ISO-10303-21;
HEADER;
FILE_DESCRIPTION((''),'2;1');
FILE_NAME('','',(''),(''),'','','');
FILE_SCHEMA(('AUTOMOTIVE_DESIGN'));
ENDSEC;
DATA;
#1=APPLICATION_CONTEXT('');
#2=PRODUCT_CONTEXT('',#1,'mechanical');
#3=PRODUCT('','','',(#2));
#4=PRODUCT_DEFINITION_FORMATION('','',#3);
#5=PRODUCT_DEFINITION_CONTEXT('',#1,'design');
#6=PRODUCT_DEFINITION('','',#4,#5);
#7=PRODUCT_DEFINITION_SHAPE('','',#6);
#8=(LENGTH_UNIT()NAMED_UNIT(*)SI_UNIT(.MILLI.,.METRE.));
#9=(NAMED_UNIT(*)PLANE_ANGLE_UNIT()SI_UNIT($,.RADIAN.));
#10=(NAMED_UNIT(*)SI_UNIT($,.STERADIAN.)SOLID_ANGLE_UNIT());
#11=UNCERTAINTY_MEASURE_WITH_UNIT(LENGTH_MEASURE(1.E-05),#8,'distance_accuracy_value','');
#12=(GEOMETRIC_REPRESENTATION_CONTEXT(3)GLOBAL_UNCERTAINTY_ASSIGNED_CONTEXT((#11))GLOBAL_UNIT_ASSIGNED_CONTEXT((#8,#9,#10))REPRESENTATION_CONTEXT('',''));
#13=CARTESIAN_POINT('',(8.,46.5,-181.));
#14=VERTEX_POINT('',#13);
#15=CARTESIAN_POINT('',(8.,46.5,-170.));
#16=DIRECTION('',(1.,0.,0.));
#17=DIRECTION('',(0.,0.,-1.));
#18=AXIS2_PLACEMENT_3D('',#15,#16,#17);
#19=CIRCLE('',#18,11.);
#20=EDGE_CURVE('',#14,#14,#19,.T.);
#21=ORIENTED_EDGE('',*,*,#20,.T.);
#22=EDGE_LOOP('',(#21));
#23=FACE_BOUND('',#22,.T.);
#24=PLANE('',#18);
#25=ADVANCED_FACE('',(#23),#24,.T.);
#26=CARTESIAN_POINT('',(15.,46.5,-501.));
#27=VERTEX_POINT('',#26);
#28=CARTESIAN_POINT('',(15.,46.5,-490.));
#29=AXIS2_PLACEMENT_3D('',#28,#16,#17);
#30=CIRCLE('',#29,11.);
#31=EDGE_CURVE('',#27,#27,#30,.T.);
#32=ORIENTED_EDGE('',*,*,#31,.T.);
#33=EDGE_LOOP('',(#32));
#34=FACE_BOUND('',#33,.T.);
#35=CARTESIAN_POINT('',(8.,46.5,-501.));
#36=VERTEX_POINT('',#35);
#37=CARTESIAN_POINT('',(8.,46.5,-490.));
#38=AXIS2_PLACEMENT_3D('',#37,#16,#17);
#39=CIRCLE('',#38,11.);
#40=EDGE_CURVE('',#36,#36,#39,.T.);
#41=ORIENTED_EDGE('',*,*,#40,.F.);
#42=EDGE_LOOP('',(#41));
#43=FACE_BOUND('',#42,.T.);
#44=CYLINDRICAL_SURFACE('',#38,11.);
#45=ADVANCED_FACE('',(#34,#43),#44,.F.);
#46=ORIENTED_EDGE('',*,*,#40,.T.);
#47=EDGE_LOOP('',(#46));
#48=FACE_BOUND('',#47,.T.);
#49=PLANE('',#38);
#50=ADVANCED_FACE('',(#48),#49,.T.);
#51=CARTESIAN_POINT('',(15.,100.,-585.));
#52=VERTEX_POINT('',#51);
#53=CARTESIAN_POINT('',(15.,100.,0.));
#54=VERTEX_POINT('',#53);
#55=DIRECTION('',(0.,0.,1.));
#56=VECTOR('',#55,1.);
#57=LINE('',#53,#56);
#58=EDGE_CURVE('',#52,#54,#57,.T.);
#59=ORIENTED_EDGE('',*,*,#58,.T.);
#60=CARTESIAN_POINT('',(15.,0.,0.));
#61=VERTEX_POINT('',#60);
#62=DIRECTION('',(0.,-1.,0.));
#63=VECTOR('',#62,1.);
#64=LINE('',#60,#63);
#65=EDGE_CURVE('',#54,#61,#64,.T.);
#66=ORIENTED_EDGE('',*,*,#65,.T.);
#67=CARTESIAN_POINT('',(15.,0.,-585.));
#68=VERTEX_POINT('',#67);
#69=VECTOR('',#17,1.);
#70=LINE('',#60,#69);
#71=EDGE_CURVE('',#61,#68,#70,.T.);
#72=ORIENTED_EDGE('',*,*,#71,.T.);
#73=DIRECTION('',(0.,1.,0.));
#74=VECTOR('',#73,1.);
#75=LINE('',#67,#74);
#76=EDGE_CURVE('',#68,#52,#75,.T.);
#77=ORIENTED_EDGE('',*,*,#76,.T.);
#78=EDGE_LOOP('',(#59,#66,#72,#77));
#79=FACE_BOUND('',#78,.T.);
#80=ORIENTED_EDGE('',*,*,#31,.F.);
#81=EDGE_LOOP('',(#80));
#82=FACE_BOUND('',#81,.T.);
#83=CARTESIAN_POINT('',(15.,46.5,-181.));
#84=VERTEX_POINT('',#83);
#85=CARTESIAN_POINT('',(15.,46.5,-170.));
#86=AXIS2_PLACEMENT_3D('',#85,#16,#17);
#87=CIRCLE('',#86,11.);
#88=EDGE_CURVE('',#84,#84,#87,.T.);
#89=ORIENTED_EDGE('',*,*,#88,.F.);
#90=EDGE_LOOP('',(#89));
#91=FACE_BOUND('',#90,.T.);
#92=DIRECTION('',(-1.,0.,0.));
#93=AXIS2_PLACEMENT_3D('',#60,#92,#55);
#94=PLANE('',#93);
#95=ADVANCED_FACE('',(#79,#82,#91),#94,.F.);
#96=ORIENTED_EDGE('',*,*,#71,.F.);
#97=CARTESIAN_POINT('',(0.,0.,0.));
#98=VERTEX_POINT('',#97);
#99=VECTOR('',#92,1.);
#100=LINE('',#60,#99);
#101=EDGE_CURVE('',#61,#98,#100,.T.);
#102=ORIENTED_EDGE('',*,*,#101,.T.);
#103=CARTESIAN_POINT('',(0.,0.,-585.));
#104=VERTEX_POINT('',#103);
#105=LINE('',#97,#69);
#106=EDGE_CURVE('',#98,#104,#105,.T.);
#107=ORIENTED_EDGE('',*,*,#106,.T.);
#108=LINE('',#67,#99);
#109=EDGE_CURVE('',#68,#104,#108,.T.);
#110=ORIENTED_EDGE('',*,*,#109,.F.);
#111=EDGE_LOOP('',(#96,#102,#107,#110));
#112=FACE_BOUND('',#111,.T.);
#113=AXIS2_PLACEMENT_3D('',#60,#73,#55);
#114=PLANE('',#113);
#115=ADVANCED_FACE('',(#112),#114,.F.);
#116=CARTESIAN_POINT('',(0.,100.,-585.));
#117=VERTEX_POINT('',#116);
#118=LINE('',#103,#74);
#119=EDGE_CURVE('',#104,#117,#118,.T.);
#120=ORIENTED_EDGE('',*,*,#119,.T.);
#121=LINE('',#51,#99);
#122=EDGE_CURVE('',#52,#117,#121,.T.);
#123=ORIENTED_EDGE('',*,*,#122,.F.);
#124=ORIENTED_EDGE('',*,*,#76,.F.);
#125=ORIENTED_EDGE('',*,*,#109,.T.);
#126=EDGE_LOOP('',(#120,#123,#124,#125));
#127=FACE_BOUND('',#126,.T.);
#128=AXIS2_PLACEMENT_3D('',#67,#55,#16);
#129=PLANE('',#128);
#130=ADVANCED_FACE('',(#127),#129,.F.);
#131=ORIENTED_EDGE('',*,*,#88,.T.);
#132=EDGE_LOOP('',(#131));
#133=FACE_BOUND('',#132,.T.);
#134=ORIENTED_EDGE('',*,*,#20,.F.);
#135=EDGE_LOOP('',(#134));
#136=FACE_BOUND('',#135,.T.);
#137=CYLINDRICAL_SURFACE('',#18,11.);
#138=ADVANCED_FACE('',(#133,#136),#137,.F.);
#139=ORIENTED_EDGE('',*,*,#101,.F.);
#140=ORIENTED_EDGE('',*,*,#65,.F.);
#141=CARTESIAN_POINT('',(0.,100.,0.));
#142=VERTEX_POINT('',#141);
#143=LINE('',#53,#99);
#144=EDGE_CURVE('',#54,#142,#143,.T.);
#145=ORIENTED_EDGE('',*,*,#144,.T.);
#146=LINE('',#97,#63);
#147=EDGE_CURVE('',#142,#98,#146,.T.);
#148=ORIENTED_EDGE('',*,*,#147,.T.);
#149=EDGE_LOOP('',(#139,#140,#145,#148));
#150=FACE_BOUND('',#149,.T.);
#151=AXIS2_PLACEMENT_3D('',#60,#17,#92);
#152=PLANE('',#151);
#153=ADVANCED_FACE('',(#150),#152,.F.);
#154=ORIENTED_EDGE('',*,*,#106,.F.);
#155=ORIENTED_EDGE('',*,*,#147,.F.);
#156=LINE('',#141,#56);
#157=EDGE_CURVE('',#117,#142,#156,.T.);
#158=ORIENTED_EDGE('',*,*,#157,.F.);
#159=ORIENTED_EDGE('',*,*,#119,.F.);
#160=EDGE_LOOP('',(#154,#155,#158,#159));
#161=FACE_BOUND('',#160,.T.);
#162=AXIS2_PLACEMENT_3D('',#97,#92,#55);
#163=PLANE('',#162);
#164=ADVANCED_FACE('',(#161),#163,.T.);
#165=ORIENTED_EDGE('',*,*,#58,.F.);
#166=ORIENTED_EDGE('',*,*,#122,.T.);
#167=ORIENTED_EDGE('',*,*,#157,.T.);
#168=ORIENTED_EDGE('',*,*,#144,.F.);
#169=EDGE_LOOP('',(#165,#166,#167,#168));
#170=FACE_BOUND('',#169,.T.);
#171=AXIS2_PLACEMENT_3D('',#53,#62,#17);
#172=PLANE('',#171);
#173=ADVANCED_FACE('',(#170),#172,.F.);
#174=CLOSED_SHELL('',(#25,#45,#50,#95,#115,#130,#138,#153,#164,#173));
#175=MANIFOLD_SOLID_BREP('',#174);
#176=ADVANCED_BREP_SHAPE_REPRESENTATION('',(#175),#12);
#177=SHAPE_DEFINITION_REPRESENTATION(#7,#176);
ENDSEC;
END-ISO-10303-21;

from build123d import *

# Parameters (mm, degrees)
CROQUIS1_W              = 585
CROQUIS1_H              = 100
SALIENTE_EXTRUIR1_DEPTH = 15
CROQUIS2_R              = 11
CORTAR_EXTRUIR1_DEPTH   = 7


with BuildPart() as part:
    # Croquis1 → Saliente-Extruir1 (new body)
    with BuildSketch(Plane(origin=(0, 0, 0), x_dir=(0, 0, -1), z_dir=(1, 0, 0))):
        with Locations((292.5, 50)):
            Rectangle(CROQUIS1_W, CROQUIS1_H)
    extrude(amount=SALIENTE_EXTRUIR1_DEPTH)

    # Croquis2 → Cortar-Extruir1 (cut)
    with BuildSketch(Plane(origin=(15, 0, 0), x_dir=(0, 0, -1), z_dir=(1, 0, 0))):
        with Locations((170, 46.5)):
            Circle(CROQUIS2_R)
        with Locations((490, 46.5)):
            Circle(CROQUIS2_R)
    extrude(amount=-CORTAR_EXTRUIR1_DEPTH, mode=Mode.SUBTRACT)


solid = part.part
